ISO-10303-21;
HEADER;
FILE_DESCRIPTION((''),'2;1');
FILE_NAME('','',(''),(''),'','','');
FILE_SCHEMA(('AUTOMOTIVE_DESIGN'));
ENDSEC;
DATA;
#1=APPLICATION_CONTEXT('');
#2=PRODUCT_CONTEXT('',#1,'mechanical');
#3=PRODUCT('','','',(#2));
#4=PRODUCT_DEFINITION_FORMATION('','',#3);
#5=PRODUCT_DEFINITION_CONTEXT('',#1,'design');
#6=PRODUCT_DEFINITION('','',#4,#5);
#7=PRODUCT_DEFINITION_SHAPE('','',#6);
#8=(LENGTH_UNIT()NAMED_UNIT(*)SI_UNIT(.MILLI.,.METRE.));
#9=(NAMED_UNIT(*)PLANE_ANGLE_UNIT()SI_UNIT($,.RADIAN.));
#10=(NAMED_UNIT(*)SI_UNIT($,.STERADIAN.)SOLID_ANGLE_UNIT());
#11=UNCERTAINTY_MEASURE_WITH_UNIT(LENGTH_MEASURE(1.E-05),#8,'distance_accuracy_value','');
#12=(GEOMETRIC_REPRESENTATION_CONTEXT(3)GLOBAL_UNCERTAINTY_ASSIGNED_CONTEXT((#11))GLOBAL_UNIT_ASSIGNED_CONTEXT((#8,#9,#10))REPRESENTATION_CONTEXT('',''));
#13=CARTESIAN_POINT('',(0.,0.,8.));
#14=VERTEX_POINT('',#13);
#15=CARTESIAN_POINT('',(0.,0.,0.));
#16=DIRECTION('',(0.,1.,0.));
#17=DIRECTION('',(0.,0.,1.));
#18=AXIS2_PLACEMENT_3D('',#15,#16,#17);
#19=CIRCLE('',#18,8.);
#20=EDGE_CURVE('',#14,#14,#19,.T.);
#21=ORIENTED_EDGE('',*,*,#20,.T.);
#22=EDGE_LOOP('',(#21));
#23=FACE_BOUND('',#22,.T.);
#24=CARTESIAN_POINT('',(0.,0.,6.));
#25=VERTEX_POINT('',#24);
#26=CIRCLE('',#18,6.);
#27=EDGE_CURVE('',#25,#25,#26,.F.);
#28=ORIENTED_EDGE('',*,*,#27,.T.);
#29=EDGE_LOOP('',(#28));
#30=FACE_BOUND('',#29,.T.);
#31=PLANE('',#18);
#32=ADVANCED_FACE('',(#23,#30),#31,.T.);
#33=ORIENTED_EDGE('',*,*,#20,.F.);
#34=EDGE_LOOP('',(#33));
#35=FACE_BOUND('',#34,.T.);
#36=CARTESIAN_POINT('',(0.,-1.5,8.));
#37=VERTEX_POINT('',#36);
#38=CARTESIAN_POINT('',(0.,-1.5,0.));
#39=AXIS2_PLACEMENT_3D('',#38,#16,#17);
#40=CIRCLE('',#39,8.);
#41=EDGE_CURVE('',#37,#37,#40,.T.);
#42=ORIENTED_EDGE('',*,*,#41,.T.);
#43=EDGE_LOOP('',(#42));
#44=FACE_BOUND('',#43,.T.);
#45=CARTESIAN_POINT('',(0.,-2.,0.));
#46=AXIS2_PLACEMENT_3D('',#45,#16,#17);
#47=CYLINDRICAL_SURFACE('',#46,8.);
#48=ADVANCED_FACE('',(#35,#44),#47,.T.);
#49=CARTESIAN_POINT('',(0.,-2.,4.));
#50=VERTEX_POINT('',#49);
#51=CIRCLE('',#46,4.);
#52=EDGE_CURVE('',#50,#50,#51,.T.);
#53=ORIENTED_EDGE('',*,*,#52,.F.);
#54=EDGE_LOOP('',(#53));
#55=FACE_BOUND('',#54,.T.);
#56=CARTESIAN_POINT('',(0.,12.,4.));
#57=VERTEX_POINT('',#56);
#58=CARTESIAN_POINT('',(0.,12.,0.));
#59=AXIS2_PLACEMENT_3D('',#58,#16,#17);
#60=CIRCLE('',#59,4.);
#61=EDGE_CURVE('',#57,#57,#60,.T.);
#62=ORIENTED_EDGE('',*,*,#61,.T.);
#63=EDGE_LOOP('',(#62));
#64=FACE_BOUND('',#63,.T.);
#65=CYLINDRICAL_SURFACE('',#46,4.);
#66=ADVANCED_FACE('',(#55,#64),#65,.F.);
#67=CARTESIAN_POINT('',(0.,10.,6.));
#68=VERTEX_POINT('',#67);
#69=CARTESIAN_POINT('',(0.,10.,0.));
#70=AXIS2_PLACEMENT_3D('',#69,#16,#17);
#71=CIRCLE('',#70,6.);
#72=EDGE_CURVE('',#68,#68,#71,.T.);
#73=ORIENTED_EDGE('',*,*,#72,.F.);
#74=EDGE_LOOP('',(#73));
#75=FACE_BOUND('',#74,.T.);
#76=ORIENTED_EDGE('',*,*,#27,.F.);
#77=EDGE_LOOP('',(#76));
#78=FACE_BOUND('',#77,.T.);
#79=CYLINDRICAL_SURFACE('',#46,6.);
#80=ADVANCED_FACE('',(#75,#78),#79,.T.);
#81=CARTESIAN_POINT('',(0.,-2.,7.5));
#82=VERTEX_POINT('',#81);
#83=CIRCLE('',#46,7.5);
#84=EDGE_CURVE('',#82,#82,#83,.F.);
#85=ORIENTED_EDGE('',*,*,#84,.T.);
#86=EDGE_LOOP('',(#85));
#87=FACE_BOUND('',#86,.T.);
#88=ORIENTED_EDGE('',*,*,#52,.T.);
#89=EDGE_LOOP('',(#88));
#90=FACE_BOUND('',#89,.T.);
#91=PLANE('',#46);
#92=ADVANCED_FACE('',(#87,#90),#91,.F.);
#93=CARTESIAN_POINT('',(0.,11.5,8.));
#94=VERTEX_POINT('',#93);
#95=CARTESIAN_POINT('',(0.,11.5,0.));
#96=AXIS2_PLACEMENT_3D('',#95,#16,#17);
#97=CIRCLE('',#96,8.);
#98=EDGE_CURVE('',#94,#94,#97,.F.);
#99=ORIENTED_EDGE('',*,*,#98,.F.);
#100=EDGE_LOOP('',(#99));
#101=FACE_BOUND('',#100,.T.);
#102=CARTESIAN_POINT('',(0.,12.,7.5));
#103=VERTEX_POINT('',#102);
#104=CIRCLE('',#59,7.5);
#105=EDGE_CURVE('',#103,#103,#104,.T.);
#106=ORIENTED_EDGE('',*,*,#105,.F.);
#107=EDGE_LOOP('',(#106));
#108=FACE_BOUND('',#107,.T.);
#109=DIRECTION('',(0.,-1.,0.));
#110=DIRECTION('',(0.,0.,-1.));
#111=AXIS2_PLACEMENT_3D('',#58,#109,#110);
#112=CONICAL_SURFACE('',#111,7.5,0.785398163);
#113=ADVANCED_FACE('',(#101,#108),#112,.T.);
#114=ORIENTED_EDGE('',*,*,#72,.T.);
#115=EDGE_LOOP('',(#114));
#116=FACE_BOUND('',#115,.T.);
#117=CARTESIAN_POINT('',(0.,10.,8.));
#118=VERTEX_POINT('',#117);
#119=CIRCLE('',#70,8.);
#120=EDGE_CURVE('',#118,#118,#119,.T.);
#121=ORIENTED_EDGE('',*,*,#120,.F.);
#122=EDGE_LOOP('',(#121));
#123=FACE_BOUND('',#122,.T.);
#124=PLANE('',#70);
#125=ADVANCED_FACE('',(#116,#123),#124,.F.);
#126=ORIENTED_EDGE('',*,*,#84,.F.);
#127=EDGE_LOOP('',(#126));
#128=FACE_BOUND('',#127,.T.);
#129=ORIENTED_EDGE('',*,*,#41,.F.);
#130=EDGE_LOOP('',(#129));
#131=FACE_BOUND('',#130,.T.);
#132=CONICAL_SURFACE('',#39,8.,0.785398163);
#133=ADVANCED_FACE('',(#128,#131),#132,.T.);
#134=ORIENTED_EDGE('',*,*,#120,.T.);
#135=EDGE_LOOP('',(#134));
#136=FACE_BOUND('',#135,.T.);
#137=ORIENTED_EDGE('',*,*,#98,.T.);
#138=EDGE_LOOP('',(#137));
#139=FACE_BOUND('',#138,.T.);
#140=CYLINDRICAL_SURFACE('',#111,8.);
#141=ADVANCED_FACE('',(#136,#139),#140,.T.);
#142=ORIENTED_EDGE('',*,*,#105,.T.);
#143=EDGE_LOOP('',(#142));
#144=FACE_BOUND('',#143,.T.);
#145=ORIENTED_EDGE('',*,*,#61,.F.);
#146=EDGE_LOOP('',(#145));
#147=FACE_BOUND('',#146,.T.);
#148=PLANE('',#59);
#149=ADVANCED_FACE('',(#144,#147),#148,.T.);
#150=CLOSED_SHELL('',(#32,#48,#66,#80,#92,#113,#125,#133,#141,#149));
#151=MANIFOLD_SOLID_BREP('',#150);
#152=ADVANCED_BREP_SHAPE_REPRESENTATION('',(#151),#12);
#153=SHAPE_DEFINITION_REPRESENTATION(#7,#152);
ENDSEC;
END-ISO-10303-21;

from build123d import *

# Parameters (mm, degrees)
BOSS_EXTRUDE1_DEPTH      = 12
BOSS_EXTRUDE1_DEPTH_BACK = 2
SKETCH1_R                = 6
SKETCH1_R_2              = 4
SKETCH1_3_R              = 8
SKETCH1_3_R_2            = 6
BOSS_EXTRUDE2_DEPTH      = 2
BOSS_EXTRUDE3_START      = 10
SKETCH1_4_R              = 8
SKETCH1_4_R_2            = 6
BOSS_EXTRUDE3_DEPTH      = 2
CHAMFER1_SIZE            = 0.5


with BuildPart() as part:
    # Sketch1 → Boss-Extrude1 (new, two sides: drawn at the far end of the back side and taken through both)
    with BuildSketch(Plane(origin=(0, 0, 0), x_dir=(1, 0, 0), z_dir=(0, 1, 0)).offset(-BOSS_EXTRUDE1_DEPTH_BACK)):
        Circle(SKETCH1_R)
        Circle(SKETCH1_R_2, mode=Mode.SUBTRACT)
    extrude(amount=BOSS_EXTRUDE1_DEPTH + BOSS_EXTRUDE1_DEPTH_BACK)

    # Sketch1<3> → Boss-Extrude2 (add)
    with BuildSketch(Plane(origin=(0, 0, 0), x_dir=(1, 0, 0), z_dir=(0, 1, 0))):
        Circle(SKETCH1_3_R)
        Circle(SKETCH1_3_R_2, mode=Mode.SUBTRACT)
    extrude(amount=-BOSS_EXTRUDE2_DEPTH)

    # Sketch1<4> → Boss-Extrude3 (add)
    with BuildSketch(Plane(origin=(0, 0, 0), x_dir=(1, 0, 0), z_dir=(0, 1, 0)).offset(BOSS_EXTRUDE3_START)):
        Circle(SKETCH1_4_R)
        Circle(SKETCH1_4_R_2, mode=Mode.SUBTRACT)
    extrude(amount=BOSS_EXTRUDE3_DEPTH)

    # Chamfer1
    chamfer1_edges = [part.edges().sort_by_distance(p)[0] for p in [
        (-8, -2, 0),
        (-8, 12, 0),
    ]]
    chamfer(chamfer1_edges, length=CHAMFER1_SIZE)


solid = part.part
